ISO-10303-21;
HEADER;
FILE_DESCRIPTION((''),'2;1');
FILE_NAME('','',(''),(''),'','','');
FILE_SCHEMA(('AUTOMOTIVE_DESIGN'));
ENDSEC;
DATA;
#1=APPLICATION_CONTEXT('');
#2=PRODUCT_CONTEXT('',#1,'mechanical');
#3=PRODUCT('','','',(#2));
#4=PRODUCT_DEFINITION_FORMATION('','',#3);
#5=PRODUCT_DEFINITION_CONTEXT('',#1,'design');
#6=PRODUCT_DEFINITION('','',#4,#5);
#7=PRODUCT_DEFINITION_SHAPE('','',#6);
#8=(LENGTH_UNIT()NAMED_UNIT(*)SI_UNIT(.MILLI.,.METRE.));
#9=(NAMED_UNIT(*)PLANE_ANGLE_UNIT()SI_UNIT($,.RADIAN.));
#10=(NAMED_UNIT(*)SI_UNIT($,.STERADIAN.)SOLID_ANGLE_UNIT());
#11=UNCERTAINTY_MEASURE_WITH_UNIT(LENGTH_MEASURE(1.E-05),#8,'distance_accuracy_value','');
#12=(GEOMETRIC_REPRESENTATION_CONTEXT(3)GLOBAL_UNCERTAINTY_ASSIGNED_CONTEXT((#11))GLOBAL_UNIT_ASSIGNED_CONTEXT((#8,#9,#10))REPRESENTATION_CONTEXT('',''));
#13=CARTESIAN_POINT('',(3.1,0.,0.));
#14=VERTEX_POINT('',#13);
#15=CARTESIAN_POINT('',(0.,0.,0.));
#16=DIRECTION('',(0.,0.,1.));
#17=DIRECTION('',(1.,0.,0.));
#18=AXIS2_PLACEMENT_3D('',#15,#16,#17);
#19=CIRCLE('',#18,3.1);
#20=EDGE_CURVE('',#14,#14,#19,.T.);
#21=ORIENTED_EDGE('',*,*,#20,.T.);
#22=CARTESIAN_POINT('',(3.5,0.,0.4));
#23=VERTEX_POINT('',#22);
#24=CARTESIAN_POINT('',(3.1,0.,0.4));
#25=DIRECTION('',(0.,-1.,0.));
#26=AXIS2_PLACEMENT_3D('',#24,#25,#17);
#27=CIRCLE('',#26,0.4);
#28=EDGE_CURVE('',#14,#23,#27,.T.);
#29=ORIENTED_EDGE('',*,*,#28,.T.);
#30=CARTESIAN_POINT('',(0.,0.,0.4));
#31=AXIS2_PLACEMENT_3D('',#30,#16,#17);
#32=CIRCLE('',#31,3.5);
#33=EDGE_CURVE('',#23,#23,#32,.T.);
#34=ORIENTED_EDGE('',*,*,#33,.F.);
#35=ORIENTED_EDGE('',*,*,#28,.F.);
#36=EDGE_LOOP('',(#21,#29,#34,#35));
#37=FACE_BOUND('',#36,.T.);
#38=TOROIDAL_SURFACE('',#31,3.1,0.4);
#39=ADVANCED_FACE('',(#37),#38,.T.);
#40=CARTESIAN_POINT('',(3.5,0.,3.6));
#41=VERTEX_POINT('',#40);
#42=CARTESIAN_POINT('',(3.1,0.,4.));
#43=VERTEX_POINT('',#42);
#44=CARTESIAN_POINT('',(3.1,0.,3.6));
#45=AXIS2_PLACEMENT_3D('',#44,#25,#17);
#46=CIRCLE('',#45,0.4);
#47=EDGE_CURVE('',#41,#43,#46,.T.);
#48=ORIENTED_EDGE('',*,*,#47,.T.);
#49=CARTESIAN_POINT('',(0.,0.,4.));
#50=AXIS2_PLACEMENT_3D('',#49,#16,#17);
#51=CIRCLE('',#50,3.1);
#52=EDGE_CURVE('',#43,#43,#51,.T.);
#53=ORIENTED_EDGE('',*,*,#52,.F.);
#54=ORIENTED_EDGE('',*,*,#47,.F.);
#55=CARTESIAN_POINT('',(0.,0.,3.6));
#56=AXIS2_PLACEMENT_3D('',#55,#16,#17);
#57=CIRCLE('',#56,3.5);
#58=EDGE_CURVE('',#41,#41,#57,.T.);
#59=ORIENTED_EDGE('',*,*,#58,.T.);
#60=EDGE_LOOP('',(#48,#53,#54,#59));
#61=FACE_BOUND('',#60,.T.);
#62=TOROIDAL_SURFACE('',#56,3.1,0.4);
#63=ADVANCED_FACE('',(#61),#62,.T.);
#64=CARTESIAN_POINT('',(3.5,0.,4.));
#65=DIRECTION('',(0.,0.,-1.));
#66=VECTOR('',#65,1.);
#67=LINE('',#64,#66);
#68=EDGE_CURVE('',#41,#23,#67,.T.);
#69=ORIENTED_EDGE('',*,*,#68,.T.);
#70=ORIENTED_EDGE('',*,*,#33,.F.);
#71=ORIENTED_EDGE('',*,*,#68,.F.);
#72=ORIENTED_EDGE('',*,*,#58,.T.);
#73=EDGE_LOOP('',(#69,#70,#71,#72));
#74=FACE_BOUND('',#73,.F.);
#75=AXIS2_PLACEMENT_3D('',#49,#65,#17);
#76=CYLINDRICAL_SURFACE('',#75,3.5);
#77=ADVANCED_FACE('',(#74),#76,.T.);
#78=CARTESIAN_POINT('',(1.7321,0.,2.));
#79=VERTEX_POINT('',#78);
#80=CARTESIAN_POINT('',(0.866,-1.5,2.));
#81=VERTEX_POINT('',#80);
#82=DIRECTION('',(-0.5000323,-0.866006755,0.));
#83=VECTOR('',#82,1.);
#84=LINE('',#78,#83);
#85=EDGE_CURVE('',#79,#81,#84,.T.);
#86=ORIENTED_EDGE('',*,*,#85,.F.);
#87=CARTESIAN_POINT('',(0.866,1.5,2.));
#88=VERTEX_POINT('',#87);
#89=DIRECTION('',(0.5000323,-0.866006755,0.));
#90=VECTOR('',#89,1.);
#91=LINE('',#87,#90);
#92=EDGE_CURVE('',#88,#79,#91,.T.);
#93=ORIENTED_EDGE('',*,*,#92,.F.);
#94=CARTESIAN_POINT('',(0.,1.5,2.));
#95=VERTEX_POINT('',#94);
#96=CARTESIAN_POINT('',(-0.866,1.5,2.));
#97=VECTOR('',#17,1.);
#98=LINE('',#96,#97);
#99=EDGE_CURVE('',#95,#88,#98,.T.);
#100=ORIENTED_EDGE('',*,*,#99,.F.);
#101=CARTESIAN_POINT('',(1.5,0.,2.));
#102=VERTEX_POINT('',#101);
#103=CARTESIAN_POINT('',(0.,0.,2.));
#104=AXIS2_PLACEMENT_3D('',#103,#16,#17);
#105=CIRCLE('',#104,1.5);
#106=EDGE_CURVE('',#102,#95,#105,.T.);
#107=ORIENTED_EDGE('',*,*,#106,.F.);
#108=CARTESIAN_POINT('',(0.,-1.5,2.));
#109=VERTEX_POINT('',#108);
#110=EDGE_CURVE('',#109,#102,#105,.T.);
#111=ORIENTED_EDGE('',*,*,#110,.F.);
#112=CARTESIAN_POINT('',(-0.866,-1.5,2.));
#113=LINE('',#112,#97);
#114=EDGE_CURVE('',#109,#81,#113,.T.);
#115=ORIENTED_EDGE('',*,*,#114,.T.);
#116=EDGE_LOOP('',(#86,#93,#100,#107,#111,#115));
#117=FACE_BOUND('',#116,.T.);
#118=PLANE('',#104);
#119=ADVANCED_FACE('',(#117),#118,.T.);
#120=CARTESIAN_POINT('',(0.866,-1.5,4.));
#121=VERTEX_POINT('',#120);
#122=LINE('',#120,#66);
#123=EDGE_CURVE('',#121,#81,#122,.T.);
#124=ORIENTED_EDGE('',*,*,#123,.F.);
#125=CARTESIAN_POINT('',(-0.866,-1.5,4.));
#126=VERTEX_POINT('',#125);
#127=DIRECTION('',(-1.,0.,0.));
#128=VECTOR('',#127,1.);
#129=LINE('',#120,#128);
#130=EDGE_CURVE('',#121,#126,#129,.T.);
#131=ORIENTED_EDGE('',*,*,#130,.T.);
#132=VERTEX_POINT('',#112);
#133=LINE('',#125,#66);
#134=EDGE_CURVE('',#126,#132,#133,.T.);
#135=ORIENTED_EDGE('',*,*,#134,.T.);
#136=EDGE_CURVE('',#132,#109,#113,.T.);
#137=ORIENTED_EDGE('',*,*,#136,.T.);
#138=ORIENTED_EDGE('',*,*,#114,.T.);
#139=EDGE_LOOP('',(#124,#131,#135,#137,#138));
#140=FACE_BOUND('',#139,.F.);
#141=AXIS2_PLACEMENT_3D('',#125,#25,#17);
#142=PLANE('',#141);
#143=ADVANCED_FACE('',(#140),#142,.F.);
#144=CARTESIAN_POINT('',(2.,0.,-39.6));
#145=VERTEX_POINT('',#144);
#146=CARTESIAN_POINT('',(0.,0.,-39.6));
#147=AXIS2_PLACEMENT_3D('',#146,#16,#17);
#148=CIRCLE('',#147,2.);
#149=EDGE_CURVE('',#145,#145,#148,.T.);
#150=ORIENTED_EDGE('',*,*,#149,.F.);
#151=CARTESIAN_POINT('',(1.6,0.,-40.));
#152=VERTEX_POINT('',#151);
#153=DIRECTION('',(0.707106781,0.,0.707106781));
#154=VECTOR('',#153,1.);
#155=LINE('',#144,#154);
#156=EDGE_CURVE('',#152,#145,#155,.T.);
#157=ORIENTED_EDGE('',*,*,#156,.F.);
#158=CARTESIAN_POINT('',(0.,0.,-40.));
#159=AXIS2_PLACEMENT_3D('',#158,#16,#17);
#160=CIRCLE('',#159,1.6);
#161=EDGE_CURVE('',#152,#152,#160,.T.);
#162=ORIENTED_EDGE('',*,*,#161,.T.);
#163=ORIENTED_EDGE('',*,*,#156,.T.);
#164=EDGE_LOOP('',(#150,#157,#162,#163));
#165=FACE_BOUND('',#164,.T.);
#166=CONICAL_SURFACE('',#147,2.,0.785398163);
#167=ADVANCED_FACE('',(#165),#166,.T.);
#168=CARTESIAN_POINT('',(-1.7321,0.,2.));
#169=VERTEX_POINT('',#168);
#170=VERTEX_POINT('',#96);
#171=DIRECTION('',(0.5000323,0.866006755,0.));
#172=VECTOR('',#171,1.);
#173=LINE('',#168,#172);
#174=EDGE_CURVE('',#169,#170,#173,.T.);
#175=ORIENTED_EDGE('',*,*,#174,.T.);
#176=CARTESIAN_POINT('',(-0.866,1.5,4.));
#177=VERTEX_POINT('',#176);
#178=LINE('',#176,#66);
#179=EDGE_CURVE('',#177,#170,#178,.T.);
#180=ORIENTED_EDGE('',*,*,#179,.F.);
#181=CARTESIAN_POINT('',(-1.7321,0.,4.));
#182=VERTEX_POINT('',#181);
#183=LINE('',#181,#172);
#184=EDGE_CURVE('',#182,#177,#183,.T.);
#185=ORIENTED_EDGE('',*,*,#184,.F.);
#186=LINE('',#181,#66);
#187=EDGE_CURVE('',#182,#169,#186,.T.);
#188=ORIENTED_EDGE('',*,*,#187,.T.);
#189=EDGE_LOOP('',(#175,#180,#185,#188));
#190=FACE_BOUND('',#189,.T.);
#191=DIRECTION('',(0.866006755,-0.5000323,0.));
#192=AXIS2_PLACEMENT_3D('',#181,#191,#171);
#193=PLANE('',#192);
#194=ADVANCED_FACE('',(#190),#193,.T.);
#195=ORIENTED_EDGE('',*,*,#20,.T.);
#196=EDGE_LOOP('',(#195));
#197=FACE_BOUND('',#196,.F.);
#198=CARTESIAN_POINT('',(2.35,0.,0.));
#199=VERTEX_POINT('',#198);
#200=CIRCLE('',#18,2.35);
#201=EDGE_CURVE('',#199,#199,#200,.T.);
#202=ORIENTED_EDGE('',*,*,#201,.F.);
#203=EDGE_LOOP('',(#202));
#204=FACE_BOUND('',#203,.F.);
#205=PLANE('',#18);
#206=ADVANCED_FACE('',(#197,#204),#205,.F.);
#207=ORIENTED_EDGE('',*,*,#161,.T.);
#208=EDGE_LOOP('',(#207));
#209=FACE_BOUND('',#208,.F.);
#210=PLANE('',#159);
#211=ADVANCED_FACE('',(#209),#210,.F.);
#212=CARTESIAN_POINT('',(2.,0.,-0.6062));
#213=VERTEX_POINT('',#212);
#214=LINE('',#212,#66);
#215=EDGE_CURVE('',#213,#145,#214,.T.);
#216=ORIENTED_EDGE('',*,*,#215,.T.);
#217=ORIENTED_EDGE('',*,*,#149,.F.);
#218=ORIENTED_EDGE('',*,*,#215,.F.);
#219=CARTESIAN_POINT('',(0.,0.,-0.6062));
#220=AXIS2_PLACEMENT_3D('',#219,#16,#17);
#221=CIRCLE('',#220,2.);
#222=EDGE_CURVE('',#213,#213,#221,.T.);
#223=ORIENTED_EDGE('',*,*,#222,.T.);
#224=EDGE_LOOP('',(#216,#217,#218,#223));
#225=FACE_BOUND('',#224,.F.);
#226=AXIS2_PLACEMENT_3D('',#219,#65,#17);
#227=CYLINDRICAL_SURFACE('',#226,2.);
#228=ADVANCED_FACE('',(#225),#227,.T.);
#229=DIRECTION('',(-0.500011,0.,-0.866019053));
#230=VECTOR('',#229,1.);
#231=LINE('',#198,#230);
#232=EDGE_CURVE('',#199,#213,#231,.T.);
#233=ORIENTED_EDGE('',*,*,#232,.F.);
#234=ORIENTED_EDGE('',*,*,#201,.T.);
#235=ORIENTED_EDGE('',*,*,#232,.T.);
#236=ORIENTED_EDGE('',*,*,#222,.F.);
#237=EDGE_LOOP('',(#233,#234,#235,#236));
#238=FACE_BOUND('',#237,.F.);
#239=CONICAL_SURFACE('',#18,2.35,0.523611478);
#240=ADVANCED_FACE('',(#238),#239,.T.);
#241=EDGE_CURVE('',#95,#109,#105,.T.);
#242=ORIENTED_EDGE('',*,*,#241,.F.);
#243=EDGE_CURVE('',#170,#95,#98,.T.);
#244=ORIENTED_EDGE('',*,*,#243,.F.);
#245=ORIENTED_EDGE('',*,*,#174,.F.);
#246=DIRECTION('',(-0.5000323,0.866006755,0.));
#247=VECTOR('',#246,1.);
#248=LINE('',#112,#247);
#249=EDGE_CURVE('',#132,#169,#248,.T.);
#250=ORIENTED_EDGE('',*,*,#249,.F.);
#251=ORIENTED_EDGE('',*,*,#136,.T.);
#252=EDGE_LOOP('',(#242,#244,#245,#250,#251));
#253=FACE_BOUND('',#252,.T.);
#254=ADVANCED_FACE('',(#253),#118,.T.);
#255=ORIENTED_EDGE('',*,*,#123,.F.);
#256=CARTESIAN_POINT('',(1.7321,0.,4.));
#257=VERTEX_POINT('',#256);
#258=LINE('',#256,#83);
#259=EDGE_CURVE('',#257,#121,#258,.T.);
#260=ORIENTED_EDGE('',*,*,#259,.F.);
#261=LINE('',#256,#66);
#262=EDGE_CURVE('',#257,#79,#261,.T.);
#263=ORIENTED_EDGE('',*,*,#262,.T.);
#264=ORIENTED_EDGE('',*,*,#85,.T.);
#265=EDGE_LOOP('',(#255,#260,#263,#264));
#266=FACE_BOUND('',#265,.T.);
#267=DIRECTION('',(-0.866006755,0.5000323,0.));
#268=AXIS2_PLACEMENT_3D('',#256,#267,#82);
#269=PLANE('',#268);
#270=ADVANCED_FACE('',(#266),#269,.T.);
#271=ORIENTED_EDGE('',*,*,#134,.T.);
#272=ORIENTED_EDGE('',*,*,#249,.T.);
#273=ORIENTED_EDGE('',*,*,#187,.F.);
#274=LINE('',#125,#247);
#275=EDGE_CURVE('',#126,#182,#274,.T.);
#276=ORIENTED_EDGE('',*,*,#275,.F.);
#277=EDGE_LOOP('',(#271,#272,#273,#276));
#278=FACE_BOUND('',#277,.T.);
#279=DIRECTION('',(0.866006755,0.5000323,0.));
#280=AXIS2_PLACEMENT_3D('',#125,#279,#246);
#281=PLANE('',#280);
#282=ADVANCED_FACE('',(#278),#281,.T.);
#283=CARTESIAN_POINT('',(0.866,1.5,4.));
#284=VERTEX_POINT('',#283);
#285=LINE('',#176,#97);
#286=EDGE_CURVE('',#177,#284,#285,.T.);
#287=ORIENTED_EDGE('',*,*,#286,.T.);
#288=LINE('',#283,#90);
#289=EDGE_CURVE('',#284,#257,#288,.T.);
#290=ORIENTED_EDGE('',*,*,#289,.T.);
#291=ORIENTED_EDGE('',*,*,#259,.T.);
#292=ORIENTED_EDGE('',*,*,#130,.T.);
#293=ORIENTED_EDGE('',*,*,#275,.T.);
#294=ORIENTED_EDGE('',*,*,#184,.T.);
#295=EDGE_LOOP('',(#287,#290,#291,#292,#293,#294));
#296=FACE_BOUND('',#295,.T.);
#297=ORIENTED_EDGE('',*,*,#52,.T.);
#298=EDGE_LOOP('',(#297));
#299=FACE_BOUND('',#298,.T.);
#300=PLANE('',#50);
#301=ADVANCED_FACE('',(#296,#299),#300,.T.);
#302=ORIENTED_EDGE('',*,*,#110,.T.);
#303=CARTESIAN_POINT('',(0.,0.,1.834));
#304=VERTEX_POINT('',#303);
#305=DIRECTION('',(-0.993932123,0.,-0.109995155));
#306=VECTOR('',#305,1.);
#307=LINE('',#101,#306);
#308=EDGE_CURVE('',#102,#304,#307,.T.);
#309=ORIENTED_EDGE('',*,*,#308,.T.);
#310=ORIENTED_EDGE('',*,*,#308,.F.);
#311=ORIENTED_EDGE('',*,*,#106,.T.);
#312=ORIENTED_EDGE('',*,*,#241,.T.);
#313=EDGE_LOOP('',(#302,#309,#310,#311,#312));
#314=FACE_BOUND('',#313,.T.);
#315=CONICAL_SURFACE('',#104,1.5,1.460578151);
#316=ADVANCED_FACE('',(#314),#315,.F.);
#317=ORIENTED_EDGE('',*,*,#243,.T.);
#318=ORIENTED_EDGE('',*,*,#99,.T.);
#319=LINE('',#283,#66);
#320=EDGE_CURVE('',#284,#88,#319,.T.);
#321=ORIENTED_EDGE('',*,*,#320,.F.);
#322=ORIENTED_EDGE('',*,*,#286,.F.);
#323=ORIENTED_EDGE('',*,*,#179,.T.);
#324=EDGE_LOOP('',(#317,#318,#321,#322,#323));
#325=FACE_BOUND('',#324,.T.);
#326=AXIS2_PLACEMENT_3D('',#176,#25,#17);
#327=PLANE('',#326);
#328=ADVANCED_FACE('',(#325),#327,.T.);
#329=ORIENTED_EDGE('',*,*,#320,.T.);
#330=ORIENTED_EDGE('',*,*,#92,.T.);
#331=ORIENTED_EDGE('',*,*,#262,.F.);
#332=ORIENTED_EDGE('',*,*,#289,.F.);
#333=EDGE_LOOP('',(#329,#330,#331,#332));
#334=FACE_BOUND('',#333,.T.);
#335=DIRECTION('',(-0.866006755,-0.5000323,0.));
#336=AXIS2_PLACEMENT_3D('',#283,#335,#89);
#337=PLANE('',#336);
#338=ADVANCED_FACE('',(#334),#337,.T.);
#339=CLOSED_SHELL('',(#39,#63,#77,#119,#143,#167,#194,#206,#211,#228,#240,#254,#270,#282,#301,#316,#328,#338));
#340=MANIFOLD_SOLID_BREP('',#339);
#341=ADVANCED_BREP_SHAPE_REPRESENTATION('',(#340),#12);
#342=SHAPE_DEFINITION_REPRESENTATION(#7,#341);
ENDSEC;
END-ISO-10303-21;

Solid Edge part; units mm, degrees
sketch "Sketch1" plane through (0, 0, 0) normal (0, -1, 0) x (1, 0, 0)
  line L0 (3.5, 4) -> (3.5, 0)
  line L1 (3.5, 0) -> (2.35, 0)
  line L2 (2.35, 0) -> (2, -0.6062)
  line L3 (2, -0.6062) -> (2, -40)
  line L4 (2, -40) -> (0, -40)
  line L5 (1.5, 2) -> (0, 1.834)
  line L6 (1.5, 4) -> (1.5, 2)
  line L7 (3.5, 4) -> (1.5, 4)
  dimension "D1" = 2
  dimension "D2" = 40
  dimension "D3" = 4
revolve "RevolvedProtrusion1" add sketch "Sketch1" angle 360 about axis through (0, 0, -6) along (0, 0, 1)
cosmetic_thread "Thread1" size "M4"
chamfer "Chamfer_1" distance 0.4 angle 45 1 edges at (-2, 0, -40)
fillet "Round_1" radius 0.4 2 edges at (-3.5, 0, 0) (-3.5, 0, 4)
sketch "Sketch2" plane through (0, 0, 4) normal (0, 0, 1) x (0, 1, 0)
  line L0 (-1.5, 0.866) -> (-1.5, -0.866)
  line L1 (0, -1.7321) -> (-1.5, -0.866)
  line L2 (1.5, -0.866) -> (0, -1.7321)
  line L3 (1.5, 0.866) -> (1.5, -0.866)
  line L4 (0, 1.7321) -> (1.5, 0.866)
  line L5 (-1.5, 0.866) -> (0, 1.7321)
extrude "Cutout1" cut sketch "Sketch2" against normal up to vertex (2 mm away)
properties material "Galvanized steel"
